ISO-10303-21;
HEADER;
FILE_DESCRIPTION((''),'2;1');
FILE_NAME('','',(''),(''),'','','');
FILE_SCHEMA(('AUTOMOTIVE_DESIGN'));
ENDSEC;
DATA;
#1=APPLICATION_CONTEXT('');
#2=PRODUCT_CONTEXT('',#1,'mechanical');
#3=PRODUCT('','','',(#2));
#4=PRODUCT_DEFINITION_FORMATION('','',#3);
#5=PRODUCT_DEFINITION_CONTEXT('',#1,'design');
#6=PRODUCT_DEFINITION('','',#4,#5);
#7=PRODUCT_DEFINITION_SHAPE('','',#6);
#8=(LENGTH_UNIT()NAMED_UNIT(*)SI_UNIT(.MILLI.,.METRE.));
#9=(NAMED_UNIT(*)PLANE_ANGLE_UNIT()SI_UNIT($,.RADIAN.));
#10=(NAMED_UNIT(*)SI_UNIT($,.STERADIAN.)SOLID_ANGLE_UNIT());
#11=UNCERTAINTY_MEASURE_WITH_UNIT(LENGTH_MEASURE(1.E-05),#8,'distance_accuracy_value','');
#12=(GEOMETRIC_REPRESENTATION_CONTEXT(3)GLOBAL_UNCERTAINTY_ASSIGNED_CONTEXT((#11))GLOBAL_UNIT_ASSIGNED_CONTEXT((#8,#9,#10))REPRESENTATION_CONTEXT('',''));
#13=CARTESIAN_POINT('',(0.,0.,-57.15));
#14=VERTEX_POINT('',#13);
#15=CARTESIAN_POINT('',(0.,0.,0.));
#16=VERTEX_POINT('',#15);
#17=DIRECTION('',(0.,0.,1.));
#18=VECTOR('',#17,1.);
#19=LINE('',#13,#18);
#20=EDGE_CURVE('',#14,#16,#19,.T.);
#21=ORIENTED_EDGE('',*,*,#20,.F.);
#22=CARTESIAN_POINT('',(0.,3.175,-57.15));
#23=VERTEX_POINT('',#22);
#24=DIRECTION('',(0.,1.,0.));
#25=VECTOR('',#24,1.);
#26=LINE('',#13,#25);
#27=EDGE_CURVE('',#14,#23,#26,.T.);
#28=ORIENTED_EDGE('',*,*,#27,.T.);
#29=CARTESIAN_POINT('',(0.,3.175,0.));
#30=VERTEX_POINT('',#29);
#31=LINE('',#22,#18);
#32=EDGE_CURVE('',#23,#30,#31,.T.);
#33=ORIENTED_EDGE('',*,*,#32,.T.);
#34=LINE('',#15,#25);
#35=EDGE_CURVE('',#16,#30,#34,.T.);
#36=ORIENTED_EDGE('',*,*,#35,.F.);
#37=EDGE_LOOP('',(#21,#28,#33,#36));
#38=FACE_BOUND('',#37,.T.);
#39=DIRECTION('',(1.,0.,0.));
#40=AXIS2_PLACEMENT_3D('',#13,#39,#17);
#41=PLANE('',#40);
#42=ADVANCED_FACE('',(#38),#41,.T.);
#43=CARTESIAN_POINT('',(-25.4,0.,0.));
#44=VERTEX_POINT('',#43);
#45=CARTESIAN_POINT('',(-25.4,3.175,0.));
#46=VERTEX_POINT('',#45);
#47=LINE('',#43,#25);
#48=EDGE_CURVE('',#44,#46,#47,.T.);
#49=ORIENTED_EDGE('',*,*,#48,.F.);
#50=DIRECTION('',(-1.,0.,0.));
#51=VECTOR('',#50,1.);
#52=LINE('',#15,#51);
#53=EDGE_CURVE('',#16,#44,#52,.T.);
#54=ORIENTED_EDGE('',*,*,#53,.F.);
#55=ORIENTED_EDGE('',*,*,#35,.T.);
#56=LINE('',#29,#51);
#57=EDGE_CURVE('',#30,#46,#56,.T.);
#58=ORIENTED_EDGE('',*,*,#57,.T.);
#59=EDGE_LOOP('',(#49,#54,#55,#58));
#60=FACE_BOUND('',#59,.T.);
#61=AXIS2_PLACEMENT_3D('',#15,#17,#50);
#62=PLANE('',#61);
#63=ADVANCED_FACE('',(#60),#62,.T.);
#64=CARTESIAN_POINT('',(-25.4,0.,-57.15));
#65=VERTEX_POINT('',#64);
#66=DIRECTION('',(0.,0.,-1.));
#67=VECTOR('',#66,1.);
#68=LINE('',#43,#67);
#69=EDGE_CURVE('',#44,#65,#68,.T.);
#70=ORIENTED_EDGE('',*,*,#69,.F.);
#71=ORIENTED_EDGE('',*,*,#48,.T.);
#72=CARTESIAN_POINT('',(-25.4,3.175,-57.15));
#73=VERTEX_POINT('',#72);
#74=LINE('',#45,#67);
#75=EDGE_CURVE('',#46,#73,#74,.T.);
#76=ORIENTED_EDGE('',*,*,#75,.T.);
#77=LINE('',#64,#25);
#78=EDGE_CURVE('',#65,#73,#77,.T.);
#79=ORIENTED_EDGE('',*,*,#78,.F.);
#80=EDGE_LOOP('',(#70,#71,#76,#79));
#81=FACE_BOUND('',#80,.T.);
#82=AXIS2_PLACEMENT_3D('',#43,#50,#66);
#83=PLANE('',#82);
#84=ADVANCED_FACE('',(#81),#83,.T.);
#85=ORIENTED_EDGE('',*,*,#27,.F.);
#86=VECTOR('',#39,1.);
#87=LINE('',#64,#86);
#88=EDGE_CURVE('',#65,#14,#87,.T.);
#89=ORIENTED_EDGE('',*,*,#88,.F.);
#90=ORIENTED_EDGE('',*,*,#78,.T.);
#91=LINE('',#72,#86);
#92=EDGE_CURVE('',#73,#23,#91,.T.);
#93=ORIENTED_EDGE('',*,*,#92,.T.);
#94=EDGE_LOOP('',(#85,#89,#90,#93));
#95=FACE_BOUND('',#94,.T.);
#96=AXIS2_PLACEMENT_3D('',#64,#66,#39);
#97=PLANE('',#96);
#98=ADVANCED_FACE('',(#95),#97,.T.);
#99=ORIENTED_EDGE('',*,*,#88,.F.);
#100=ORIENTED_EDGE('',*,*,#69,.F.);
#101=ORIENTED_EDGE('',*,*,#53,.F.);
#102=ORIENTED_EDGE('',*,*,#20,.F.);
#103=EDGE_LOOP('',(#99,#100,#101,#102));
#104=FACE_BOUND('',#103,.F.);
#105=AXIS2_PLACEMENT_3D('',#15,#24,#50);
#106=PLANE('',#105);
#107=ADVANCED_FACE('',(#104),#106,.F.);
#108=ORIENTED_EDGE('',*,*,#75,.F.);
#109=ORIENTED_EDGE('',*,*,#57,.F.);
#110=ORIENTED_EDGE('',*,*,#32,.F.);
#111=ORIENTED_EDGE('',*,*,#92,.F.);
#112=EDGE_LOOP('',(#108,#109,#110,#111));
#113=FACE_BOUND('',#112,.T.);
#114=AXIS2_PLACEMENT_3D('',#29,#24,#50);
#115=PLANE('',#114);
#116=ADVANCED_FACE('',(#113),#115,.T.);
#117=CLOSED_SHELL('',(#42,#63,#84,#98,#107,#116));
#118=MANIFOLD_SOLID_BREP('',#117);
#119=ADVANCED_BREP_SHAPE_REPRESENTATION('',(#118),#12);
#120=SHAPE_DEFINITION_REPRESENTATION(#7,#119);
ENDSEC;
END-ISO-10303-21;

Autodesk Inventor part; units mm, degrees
ref_plane "YZ Plane" through (0, 0, 0) normal (1, 0, 0) x (0, 1, 0)
ref_plane "XZ Plane" through (0, 0, 0) normal (0, 1, 0) x (-1, 0, 0)
ref_plane "XY Plane" through (0, 0, 0) normal (0, 0, 1) x (1, 0, 0)
sketch "Sketch1" plane through (0, 0, 0) normal (0, 1, 0) x (-1, 0, 0)
  line L0 (0, 0) -> (25.4, 0)
  line L1 (25.4, 0) -> (25.4, -57.15)
  line L2 (25.4, -57.15) -> (0, -57.15)
  line L3 (0, -57.15) -> (0, 0)
  dimension "d0" = 25.4
  dimension "d1" = 57.15
extrude "Extrusion1" add sketch "Sketch1" along normal blind 3.175
properties part number "1by225connector"
